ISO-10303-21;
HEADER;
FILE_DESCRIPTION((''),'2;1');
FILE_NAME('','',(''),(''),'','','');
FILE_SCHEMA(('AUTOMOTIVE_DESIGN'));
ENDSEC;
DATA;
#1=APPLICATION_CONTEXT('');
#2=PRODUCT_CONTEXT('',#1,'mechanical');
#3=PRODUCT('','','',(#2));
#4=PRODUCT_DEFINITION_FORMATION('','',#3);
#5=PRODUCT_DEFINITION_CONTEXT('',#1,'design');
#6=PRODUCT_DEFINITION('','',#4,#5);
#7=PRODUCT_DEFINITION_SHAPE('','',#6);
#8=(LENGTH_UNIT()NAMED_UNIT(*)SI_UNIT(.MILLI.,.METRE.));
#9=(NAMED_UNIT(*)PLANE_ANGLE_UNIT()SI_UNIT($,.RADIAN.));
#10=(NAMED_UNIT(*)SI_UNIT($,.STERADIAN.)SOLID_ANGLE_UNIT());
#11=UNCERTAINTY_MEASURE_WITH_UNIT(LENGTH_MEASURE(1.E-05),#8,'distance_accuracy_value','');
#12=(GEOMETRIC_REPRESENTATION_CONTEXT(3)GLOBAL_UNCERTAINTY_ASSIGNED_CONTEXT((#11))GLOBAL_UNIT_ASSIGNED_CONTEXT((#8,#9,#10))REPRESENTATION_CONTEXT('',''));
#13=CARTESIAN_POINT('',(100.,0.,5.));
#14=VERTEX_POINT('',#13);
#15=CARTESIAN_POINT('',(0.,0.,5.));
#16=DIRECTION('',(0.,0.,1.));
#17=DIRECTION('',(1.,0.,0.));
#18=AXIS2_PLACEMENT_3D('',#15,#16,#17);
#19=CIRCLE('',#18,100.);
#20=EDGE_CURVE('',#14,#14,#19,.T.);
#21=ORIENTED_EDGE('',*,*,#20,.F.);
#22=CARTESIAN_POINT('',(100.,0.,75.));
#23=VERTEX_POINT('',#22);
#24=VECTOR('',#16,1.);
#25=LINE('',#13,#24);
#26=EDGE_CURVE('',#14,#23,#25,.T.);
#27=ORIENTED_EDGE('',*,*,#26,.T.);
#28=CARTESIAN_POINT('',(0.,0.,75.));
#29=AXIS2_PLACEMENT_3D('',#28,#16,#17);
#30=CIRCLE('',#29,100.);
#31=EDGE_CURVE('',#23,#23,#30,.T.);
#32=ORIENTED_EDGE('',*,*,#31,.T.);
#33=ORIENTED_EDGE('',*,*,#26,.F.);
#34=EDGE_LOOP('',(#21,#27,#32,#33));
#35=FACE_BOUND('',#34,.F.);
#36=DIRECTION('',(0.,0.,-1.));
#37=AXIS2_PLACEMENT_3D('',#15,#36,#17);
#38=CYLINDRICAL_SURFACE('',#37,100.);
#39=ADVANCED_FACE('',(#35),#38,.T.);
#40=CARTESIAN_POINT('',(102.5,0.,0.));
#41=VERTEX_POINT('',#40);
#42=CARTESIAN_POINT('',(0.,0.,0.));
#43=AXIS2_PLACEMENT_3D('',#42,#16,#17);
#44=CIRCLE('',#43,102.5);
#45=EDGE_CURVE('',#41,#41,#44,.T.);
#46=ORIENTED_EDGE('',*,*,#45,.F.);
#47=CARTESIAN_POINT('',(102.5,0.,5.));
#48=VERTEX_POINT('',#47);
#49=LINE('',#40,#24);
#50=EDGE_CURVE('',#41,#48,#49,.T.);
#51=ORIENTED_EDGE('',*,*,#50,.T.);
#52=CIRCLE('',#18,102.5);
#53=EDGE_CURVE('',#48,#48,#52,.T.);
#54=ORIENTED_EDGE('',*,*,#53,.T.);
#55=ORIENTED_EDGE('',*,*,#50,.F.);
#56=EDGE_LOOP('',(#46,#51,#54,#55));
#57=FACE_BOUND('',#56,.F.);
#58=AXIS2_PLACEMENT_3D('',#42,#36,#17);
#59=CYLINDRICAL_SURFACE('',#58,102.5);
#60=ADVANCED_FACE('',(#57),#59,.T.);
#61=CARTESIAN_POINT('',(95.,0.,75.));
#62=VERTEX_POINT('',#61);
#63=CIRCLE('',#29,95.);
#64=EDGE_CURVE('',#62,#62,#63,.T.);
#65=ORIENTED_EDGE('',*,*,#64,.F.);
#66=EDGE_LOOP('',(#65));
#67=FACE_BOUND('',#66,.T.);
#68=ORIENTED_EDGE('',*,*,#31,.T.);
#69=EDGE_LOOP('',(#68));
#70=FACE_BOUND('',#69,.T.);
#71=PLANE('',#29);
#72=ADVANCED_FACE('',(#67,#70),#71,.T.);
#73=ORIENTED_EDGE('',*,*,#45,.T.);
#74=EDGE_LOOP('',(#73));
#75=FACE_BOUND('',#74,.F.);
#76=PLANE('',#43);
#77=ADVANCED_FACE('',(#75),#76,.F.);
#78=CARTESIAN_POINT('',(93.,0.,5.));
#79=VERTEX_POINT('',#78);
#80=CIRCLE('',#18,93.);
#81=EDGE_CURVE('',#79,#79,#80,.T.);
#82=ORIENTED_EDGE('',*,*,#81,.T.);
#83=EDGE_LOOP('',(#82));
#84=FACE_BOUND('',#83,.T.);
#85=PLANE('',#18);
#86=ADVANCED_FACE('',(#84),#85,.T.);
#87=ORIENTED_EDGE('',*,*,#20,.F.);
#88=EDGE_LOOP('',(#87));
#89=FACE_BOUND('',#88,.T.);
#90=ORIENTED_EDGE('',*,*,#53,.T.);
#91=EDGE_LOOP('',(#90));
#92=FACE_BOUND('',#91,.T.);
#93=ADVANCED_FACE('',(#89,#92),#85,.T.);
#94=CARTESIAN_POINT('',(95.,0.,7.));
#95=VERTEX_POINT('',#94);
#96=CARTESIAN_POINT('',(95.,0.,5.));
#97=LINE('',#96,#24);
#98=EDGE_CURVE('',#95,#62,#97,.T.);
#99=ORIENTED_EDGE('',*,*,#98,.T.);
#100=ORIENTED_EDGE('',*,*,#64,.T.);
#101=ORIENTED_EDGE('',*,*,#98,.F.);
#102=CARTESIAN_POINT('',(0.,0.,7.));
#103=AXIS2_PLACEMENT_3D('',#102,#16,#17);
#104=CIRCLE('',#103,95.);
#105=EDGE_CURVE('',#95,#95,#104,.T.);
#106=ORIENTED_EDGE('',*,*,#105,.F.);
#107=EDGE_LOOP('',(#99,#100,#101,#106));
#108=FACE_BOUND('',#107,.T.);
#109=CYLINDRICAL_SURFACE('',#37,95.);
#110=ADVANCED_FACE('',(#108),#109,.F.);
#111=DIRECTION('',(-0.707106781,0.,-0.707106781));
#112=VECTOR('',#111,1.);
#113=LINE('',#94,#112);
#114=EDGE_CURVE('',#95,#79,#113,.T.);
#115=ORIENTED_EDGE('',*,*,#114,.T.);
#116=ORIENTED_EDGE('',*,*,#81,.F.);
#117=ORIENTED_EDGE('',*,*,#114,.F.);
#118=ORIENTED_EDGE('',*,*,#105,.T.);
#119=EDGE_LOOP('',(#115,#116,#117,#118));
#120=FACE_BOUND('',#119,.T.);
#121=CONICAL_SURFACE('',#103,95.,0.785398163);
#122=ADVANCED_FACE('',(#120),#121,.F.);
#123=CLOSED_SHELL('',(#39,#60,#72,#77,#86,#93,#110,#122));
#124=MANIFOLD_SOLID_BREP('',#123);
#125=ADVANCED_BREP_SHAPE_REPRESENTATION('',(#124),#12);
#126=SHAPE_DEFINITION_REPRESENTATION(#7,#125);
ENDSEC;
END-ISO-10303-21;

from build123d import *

# Parameters (mm, degrees)
SKETCH_R      = 102.5
PAD_DEPTH     = 5
SKETCH001_R   = 100
SKETCH001_R_2 = 95
PAD001_DEPTH  = 70
CHAMFER_SIZE  = 2


with BuildPart() as part:
    # Sketch → Pad (new body)
    with BuildSketch(Plane.XY):
        Circle(SKETCH_R)
    extrude(amount=PAD_DEPTH)

    # Sketch001 (on DatumPlane) → Pad001 (join)
    with BuildSketch(Plane.XY.offset(5)):
        Circle(SKETCH001_R)
        Circle(SKETCH001_R_2, mode=Mode.SUBTRACT)
    extrude(amount=PAD001_DEPTH)

    # Chamfer
    chamfer_edges = [part.edges().sort_by_distance(p)[0] for p in [
        (-95, 0, 5),
    ]]
    chamfer(chamfer_edges, length=CHAMFER_SIZE)


solid = part.part
